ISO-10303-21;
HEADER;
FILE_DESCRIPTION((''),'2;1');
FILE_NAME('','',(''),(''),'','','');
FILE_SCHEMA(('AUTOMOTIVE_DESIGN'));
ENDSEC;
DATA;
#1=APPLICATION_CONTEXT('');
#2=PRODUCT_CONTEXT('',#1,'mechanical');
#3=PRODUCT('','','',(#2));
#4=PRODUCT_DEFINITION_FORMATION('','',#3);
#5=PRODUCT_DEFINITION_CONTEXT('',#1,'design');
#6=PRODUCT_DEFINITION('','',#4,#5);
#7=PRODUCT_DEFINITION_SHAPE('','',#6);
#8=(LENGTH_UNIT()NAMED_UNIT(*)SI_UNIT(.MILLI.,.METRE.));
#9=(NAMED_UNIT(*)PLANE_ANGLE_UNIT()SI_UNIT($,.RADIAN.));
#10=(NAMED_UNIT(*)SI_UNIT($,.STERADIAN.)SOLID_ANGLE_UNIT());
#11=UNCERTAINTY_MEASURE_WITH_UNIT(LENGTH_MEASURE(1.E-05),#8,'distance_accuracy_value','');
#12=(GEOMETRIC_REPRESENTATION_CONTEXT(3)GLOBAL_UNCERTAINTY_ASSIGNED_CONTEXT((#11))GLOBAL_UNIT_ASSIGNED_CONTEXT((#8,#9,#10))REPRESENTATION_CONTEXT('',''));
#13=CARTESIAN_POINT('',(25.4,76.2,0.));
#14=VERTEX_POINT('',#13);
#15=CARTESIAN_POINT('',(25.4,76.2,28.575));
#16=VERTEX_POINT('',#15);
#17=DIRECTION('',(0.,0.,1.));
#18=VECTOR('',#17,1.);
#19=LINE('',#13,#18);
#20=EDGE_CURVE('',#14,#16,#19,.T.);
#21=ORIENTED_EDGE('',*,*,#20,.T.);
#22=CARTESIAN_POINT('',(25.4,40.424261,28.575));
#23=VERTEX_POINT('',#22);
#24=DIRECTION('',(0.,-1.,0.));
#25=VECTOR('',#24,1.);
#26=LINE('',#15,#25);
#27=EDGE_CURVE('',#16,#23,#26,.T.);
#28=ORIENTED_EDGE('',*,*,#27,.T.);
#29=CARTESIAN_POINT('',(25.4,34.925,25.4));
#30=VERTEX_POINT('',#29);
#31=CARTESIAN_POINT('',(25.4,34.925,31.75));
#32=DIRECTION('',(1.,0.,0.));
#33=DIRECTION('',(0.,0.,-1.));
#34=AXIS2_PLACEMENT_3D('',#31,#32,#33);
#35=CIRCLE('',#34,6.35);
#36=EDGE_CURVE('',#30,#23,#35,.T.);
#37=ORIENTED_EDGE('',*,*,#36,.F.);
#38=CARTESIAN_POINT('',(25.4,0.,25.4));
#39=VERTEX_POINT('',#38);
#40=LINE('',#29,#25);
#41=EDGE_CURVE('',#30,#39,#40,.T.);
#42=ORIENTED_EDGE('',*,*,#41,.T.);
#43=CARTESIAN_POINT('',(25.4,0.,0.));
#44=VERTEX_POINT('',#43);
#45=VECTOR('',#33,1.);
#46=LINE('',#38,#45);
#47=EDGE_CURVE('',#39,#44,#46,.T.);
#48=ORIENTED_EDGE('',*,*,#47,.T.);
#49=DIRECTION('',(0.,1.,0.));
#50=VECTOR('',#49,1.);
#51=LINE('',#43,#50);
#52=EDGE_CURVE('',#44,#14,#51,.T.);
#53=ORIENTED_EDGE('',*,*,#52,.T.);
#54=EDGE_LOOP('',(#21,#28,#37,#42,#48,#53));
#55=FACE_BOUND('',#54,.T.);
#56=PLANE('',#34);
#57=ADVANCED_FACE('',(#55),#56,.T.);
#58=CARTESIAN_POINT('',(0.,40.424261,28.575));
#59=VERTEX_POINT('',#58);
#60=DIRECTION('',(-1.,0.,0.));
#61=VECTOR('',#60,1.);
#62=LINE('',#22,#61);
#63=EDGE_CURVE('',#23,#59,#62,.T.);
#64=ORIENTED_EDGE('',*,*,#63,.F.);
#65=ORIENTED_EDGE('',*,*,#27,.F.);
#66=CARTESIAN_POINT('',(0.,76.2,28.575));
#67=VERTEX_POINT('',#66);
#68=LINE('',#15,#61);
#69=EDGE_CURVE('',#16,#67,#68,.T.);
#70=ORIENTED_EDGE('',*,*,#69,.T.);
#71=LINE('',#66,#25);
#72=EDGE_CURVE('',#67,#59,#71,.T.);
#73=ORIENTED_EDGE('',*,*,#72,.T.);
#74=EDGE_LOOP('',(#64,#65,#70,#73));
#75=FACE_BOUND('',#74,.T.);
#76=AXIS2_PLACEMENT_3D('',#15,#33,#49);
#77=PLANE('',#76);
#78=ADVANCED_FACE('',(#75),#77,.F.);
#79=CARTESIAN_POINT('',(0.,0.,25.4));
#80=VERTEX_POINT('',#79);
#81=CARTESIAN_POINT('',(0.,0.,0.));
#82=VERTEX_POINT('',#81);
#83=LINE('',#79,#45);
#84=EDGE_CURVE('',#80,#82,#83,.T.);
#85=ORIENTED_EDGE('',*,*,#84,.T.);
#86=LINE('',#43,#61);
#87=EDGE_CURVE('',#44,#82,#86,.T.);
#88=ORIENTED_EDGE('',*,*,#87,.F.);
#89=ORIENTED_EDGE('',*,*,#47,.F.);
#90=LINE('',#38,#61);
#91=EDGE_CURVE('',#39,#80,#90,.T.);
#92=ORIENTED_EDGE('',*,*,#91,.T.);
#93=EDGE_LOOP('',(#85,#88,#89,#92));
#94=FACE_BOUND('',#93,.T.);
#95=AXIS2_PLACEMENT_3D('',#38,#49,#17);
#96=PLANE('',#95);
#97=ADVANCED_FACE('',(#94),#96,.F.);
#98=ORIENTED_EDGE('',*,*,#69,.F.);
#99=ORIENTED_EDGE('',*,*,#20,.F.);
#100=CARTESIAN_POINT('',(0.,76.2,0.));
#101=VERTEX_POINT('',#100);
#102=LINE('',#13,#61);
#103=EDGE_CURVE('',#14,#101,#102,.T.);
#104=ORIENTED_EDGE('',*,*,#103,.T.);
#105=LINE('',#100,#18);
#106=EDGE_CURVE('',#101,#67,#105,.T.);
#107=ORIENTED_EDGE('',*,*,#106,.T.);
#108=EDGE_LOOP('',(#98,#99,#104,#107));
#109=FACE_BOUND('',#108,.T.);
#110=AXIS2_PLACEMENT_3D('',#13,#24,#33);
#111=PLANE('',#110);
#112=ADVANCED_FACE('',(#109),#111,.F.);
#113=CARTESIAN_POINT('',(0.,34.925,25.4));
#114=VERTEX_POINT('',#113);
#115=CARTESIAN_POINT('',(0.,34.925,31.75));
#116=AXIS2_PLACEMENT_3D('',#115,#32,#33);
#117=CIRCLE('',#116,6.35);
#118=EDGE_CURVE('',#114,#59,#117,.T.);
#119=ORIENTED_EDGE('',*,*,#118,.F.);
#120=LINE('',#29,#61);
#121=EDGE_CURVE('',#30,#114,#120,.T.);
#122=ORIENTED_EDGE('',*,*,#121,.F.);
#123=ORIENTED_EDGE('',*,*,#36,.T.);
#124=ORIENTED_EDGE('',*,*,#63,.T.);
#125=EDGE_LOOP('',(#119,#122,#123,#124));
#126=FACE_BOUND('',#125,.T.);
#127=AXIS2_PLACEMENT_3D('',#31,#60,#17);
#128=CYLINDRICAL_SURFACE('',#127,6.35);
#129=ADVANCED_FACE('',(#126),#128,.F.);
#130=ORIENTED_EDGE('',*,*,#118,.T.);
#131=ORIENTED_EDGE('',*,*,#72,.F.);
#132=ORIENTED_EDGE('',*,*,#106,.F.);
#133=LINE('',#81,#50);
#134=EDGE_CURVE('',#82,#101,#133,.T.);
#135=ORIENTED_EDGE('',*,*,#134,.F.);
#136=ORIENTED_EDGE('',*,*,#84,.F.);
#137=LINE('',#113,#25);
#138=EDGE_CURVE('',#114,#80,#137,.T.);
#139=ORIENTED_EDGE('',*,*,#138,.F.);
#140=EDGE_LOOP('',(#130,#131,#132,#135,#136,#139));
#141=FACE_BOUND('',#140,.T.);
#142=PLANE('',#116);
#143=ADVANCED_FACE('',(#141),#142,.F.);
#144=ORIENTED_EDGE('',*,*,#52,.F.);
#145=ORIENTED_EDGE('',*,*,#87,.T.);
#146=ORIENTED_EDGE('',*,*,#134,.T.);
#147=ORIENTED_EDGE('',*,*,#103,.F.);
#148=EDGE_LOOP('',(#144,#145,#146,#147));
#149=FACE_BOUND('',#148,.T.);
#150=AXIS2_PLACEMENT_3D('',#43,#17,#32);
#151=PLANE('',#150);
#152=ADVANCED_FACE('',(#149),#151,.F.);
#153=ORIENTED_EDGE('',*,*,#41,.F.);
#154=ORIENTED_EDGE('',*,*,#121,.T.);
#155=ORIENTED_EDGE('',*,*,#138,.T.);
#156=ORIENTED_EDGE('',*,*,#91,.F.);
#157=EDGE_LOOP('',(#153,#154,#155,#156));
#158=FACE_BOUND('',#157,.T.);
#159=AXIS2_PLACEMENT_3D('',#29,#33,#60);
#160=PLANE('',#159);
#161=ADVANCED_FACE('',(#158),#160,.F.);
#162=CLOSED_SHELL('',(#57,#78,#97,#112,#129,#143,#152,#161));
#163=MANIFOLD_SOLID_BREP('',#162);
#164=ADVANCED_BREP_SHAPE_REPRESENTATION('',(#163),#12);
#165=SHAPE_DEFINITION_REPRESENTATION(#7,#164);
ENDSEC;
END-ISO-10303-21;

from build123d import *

# Parameters (mm, degrees)
BOSS_EXTRUDE1_DEPTH = 25.4


with BuildPart() as part:
    # Sketch1 → Boss-Extrude1 (new body)
    with BuildSketch(Plane.YZ):
        with BuildLine():
            Line((0, 0), (76.2, 0))
            Line((76.2, 0), (76.2, 28.575))
            Line((76.2, 28.575), (40.424261314, 28.575))
            ThreePointArc((40.424261314, 28.575), (38.1, 26.250738686), (34.925, 25.4))
            Line((34.925, 25.4), (0, 25.4))
            Line((0, 25.4), (0, 0))
        make_face()
    extrude(amount=BOSS_EXTRUDE1_DEPTH)


solid = part.part
